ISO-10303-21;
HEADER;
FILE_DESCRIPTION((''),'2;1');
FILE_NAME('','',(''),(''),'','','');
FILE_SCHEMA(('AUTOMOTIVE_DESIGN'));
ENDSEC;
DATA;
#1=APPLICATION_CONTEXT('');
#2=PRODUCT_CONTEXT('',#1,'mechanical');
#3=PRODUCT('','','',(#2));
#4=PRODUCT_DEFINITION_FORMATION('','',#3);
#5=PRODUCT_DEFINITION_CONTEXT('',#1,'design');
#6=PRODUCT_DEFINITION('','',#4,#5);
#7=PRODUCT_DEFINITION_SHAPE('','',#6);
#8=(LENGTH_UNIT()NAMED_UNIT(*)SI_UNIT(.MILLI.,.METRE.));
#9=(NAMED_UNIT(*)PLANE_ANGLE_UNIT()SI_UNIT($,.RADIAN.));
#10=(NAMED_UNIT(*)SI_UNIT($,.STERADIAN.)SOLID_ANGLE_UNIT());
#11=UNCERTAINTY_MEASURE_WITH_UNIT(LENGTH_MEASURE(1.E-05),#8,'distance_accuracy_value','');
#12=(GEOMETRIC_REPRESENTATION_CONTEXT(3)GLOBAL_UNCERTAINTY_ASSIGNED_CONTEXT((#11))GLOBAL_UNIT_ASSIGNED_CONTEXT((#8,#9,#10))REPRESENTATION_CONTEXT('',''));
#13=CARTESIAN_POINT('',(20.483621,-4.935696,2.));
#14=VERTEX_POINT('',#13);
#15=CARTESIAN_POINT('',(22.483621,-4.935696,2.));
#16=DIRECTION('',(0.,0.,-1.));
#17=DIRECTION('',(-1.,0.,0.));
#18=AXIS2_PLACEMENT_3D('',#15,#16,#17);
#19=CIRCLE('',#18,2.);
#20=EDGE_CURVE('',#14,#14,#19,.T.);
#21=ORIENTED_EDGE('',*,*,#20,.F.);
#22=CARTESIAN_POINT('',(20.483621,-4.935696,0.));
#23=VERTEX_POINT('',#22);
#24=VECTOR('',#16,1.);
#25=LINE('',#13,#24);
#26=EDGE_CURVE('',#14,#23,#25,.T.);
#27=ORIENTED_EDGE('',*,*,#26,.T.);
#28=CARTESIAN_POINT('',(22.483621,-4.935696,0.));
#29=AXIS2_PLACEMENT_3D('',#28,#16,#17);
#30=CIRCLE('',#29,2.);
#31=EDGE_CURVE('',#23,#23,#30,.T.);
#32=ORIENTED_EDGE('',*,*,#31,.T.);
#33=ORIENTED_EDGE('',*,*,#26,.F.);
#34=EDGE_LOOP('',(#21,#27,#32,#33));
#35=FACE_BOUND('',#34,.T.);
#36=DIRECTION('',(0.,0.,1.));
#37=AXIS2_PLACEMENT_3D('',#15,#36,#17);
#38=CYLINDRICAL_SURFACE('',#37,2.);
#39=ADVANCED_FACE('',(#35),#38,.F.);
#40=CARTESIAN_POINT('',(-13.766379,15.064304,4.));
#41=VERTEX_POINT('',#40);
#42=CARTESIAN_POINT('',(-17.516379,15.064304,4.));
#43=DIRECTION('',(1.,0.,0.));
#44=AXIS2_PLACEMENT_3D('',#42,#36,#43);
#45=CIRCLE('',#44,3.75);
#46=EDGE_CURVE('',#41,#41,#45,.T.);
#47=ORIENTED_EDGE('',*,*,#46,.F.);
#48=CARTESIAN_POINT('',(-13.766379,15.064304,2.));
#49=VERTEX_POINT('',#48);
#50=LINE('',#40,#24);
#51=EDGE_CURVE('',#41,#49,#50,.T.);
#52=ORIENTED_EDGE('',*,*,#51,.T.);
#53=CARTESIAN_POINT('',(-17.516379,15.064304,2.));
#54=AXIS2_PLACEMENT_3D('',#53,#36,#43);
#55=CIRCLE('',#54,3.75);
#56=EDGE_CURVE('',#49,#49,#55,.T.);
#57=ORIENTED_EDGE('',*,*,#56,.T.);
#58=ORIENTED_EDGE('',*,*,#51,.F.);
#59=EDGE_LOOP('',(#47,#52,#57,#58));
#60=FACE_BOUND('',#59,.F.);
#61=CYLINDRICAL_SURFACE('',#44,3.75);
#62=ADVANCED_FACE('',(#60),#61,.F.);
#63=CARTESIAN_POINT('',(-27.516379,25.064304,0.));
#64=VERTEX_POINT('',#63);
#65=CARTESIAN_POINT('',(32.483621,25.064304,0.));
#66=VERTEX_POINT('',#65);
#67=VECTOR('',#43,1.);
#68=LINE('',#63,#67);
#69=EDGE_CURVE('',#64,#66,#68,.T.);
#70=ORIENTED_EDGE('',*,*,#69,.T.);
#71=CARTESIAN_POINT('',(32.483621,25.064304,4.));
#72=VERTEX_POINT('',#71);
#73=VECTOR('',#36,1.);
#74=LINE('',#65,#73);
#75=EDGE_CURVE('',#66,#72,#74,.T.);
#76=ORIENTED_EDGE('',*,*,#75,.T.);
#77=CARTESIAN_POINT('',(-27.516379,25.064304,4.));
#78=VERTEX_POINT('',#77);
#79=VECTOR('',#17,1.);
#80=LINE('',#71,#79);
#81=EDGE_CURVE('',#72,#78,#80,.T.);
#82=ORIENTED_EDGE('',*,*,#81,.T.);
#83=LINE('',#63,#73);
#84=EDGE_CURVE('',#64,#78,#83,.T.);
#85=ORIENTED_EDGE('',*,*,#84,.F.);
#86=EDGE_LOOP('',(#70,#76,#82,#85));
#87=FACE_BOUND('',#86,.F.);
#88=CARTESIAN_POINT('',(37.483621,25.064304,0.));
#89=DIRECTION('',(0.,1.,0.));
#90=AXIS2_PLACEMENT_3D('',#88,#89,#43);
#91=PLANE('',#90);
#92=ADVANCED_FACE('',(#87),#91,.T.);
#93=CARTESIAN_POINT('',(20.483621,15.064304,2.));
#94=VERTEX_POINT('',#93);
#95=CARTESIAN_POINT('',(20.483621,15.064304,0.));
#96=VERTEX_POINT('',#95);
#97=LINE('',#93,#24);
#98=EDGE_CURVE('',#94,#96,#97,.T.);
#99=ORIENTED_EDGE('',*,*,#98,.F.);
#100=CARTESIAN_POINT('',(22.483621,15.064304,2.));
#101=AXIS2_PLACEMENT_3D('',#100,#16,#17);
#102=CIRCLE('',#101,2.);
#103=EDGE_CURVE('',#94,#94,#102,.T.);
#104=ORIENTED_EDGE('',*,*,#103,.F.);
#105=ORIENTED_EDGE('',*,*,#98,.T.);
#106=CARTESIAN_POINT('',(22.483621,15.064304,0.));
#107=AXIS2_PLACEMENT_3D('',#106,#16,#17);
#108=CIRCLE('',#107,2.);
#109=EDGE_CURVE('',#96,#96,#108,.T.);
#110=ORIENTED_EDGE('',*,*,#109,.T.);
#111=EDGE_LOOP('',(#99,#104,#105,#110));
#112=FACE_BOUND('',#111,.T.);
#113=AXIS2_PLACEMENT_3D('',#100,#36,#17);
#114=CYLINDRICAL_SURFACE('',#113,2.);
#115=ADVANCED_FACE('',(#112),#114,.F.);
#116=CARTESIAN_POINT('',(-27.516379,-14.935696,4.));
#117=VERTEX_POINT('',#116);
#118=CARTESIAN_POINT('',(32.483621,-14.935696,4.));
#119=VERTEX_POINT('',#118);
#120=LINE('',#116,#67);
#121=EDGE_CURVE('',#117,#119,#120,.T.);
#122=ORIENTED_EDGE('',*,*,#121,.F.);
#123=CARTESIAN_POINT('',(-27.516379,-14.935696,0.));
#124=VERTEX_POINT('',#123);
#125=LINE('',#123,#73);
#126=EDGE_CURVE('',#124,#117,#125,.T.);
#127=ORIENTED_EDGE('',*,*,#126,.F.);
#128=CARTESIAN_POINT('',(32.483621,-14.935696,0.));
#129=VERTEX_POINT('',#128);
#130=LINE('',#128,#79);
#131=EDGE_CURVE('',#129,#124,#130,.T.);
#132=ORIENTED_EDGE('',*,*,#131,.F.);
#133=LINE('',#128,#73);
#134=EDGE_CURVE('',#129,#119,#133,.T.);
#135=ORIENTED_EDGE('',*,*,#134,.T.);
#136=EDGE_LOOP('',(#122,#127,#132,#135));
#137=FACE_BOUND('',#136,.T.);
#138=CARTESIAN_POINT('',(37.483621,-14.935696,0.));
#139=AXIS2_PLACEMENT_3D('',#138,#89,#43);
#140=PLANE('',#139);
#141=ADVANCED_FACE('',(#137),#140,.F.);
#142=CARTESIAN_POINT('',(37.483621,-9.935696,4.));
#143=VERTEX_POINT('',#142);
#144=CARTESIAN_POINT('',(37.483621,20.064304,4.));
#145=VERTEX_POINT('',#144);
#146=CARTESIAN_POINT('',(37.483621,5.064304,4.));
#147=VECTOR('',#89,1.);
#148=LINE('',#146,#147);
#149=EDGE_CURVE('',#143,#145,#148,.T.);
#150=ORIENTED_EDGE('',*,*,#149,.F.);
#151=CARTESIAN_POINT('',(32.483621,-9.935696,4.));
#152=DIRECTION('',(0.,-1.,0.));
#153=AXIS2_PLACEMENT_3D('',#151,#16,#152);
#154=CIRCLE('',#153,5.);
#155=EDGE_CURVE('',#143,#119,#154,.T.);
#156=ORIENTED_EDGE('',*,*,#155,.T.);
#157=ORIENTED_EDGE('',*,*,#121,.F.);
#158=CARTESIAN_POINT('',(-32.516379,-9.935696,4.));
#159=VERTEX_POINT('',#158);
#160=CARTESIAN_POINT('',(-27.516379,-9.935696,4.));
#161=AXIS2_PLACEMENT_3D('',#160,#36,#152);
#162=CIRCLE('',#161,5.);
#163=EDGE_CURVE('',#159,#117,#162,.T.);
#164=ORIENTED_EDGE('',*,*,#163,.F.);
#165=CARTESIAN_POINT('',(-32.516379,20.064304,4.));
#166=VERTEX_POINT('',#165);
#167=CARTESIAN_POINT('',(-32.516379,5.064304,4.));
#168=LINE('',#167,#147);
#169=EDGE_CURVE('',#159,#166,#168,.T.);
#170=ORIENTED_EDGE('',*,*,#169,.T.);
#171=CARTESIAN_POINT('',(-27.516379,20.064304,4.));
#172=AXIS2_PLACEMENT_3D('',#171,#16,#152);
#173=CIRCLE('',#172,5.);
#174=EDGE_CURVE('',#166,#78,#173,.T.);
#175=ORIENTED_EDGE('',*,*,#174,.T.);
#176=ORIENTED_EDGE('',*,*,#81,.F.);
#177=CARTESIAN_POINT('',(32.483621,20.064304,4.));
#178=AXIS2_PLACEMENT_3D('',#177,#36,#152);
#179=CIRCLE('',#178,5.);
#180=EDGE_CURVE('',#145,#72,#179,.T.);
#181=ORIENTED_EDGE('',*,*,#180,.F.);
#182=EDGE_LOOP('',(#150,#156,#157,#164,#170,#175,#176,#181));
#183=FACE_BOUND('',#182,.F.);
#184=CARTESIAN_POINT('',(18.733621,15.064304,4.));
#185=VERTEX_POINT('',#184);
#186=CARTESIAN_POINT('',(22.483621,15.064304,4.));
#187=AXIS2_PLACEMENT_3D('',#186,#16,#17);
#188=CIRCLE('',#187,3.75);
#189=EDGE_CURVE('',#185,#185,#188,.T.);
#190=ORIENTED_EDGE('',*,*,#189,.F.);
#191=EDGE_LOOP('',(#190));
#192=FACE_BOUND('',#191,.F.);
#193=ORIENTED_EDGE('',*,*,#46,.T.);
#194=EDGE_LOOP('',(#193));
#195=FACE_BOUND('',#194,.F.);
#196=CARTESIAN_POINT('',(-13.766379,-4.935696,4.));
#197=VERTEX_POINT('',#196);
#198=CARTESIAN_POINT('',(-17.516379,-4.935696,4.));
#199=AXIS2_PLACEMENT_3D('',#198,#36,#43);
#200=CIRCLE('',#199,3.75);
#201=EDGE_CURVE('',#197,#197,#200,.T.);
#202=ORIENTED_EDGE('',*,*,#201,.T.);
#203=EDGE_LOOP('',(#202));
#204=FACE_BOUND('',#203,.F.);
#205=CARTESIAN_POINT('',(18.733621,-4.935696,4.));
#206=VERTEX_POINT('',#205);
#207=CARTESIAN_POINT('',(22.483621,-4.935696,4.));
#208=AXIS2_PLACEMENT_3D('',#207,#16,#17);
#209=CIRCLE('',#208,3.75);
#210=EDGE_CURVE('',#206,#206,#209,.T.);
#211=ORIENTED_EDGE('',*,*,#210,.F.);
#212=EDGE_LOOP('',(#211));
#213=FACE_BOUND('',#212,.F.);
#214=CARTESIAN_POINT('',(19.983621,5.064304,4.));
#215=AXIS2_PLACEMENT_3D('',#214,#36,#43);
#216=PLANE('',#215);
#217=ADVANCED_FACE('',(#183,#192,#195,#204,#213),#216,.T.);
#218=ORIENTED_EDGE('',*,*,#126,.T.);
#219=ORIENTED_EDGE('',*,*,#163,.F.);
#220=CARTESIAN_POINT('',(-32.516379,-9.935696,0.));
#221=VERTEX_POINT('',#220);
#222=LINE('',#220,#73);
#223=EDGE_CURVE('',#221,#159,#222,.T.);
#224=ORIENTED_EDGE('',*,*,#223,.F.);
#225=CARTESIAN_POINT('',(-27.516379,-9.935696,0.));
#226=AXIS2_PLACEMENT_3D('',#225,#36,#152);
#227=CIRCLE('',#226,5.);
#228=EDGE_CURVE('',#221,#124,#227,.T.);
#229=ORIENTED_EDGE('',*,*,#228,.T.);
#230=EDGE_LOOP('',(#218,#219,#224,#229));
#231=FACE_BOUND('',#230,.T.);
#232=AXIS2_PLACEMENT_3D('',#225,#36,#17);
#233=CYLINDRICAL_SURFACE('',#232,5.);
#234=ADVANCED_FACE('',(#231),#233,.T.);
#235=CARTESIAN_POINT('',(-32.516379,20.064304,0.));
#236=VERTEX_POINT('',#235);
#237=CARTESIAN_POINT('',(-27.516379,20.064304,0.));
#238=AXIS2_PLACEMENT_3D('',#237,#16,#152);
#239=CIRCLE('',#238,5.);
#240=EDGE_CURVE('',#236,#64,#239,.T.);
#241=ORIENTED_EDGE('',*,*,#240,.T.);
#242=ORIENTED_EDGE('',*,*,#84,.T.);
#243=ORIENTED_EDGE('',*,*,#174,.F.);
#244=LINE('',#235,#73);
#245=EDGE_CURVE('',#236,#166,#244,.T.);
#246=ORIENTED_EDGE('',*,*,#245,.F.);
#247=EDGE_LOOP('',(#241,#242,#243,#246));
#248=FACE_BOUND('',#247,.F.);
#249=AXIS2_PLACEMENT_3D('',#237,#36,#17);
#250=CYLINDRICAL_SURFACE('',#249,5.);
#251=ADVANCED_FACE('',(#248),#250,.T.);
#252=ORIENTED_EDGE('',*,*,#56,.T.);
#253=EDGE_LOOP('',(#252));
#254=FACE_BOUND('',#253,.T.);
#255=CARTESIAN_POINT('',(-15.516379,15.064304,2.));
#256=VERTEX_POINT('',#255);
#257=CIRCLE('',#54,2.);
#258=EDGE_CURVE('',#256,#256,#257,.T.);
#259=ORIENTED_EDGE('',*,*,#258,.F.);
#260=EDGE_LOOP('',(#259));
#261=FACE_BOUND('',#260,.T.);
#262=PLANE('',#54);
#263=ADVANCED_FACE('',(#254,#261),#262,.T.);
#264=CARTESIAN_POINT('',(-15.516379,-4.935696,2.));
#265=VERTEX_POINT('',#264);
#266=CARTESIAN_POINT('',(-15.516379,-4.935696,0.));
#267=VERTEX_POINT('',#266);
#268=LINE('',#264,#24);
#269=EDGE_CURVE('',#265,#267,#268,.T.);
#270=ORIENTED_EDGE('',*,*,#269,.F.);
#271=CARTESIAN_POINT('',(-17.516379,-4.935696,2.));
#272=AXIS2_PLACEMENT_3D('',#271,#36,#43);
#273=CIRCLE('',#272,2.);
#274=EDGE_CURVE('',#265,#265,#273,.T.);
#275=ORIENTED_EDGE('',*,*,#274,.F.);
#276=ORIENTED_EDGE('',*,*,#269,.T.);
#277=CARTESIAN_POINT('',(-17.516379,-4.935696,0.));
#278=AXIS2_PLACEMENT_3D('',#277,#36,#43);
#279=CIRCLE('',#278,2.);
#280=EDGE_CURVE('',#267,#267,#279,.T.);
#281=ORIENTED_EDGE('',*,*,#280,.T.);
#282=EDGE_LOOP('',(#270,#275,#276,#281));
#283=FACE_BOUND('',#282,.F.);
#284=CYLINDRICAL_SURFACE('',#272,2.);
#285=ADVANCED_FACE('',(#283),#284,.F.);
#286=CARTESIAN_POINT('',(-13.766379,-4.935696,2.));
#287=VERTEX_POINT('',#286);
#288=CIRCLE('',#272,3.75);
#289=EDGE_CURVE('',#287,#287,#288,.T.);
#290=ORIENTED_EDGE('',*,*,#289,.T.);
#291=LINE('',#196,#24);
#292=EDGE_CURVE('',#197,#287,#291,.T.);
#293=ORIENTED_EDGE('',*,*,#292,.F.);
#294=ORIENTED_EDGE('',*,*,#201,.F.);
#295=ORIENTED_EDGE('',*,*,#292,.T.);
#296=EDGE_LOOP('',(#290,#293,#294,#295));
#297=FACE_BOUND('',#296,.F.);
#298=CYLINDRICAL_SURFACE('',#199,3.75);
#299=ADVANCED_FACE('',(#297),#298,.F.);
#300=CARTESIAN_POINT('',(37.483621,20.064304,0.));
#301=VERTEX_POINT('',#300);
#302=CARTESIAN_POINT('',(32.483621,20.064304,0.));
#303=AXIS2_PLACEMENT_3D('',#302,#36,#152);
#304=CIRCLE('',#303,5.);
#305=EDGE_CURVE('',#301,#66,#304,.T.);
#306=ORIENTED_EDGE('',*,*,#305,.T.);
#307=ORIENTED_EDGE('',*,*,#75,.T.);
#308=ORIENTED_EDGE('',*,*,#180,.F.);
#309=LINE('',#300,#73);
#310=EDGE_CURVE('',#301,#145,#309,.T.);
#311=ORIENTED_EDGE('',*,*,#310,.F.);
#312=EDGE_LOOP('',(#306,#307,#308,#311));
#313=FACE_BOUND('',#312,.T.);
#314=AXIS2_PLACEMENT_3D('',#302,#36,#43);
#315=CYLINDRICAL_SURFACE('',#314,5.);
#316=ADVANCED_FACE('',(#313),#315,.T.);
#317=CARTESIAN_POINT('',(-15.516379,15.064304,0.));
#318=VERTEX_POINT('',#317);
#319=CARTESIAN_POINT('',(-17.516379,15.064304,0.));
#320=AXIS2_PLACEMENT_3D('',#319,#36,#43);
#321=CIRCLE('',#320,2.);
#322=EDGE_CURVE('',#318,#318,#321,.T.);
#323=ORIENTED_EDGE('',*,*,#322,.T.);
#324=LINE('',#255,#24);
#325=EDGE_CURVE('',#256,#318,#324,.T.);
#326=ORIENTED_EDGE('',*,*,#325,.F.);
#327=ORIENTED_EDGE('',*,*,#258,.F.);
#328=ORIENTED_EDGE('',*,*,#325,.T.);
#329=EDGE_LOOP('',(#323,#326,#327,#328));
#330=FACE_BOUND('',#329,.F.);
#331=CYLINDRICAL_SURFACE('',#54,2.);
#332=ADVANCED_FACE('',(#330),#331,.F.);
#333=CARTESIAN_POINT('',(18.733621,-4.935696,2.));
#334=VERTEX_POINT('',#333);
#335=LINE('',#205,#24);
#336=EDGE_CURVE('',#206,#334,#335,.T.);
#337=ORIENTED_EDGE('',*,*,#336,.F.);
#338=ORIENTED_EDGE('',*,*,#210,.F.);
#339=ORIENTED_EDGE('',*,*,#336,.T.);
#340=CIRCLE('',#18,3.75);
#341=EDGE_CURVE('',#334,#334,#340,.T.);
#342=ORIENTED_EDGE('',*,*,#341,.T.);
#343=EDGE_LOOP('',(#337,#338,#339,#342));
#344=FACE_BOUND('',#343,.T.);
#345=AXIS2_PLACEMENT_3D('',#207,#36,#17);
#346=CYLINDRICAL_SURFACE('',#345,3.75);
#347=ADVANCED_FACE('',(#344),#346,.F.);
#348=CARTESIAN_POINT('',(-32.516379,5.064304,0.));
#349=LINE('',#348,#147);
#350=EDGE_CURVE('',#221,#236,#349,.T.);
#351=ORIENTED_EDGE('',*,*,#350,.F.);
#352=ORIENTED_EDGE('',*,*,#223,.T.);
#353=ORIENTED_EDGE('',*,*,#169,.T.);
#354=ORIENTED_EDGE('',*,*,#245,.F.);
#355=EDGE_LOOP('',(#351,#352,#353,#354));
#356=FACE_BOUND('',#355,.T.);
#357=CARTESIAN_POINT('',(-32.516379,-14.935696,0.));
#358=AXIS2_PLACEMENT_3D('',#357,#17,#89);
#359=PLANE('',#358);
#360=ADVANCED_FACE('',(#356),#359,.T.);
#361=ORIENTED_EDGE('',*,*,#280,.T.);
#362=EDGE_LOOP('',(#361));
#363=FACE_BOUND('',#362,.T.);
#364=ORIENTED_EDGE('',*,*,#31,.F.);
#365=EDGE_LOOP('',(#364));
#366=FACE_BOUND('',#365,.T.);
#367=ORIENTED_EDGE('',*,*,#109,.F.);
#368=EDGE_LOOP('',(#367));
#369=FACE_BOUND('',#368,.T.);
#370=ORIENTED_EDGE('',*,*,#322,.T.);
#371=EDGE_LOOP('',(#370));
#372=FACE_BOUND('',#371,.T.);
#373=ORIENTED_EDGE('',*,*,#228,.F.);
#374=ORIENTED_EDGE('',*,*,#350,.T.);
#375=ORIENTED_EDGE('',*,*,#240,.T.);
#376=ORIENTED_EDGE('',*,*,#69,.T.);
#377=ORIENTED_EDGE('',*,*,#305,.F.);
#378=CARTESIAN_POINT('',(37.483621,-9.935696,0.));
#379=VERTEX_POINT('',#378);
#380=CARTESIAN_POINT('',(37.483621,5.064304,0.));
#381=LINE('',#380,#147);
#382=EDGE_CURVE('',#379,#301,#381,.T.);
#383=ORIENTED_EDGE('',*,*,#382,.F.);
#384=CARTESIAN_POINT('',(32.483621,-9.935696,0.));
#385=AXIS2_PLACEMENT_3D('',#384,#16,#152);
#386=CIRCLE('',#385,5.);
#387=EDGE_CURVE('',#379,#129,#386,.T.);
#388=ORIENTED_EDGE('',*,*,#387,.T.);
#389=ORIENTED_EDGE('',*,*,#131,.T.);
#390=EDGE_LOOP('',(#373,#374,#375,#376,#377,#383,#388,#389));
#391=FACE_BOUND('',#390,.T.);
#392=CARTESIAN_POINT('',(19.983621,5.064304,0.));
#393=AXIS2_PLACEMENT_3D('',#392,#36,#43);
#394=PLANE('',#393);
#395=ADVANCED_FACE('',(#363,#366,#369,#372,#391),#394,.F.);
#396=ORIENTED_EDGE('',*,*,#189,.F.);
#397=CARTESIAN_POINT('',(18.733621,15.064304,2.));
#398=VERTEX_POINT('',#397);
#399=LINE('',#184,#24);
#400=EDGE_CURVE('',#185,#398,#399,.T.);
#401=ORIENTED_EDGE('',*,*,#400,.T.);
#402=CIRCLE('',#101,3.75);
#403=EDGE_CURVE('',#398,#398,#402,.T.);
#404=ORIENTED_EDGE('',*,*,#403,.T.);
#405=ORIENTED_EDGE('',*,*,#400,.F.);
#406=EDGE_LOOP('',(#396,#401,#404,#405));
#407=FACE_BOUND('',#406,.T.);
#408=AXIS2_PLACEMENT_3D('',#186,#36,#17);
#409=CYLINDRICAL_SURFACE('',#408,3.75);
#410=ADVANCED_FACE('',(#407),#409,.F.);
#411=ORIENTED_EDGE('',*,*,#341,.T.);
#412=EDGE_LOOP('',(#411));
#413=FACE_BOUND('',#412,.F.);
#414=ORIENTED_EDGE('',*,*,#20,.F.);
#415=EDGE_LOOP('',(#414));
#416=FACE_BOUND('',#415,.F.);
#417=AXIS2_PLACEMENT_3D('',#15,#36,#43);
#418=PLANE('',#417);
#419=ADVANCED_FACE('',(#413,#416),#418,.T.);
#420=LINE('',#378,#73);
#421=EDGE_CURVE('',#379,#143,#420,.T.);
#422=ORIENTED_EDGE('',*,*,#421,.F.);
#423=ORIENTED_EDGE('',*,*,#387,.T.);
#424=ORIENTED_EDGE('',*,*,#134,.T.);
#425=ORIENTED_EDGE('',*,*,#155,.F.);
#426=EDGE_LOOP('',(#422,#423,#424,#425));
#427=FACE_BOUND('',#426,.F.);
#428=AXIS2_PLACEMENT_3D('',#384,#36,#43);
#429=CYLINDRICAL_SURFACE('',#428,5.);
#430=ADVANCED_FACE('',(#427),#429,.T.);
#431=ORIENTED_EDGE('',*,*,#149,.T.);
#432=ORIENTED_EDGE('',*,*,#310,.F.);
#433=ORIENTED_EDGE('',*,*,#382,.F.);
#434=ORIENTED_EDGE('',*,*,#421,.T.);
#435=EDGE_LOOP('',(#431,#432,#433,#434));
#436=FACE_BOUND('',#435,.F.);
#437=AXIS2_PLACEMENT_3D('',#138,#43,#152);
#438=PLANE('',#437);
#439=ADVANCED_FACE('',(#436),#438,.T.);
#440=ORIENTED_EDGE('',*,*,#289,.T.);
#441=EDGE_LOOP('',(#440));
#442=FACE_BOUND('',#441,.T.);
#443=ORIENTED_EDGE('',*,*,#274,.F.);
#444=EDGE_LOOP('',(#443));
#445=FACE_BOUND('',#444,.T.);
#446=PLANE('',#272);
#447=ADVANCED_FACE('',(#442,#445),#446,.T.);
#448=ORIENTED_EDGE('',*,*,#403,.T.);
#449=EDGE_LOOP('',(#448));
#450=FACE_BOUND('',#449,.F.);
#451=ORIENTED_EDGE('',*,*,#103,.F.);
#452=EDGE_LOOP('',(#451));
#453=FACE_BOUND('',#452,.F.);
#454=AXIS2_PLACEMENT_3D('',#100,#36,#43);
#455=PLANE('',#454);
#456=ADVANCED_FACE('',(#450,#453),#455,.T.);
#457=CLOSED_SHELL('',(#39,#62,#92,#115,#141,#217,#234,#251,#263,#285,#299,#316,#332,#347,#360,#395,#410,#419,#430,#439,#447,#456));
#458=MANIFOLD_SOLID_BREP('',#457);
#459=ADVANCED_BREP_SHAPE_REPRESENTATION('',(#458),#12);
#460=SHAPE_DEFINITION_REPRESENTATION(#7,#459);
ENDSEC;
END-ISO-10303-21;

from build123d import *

# Parameters (mm, degrees)
F0_W     = 35
F0_H     = 40
F1_DEPTH = 4
F2_R     = 5
F3_R     = 3.75
F4_DEPTH = 2
F5_R     = 2
F6_DEPTH = 5
F7_R     = 2
F8_DEPTH = 5


with BuildPart() as f1:
    # F0 (on Top) → F1 (new body)
    with BuildSketch(Plane.XY):
        with Locations((-15.016379, 5.064304)):
            Rectangle(F0_W, F0_H)
    extrude(amount=F1_DEPTH)

    # F2
    f2_edges = [f1.edges().sort_by_distance(p)[0] for p in [
        (-32.516379, 25.064304, 2),
        (-32.516379, -14.935696, 2),
    ]]
    fillet(f2_edges, radius=F2_R)

    # F3 (on face) → F4 (cut)
    with BuildSketch(Plane.XY.offset(4)):
        with Locations((-17.516379, -4.935696)):
            Circle(F3_R)
        with Locations((-17.516379, 15.064304)):
            Circle(F3_R)
    extrude(amount=-F4_DEPTH, mode=Mode.SUBTRACT)

    # F5 (on face) → F6 (cut)
    with BuildSketch(Plane.XY.offset(2)):
        with Locations((-17.516379, 15.064304)):
            Circle(F5_R)
    extrude(amount=-F6_DEPTH, mode=Mode.SUBTRACT)

    # F7 (on face) → F8 (cut)
    with BuildSketch(Plane.XY.offset(2)):
        with Locations((-17.516379, -4.935696)):
            Circle(F7_R)
    extrude(amount=-F8_DEPTH, mode=Mode.SUBTRACT)

    # F9: F1 across face


with BuildPart() as f1_1:
    add(f1.part)
    add(f1.part.mirror(Plane(origin=(2.483621, 5.064304, 2), x_dir=(0, 1, 0), z_dir=(1, 0, 0))))


solid = f1_1.part
